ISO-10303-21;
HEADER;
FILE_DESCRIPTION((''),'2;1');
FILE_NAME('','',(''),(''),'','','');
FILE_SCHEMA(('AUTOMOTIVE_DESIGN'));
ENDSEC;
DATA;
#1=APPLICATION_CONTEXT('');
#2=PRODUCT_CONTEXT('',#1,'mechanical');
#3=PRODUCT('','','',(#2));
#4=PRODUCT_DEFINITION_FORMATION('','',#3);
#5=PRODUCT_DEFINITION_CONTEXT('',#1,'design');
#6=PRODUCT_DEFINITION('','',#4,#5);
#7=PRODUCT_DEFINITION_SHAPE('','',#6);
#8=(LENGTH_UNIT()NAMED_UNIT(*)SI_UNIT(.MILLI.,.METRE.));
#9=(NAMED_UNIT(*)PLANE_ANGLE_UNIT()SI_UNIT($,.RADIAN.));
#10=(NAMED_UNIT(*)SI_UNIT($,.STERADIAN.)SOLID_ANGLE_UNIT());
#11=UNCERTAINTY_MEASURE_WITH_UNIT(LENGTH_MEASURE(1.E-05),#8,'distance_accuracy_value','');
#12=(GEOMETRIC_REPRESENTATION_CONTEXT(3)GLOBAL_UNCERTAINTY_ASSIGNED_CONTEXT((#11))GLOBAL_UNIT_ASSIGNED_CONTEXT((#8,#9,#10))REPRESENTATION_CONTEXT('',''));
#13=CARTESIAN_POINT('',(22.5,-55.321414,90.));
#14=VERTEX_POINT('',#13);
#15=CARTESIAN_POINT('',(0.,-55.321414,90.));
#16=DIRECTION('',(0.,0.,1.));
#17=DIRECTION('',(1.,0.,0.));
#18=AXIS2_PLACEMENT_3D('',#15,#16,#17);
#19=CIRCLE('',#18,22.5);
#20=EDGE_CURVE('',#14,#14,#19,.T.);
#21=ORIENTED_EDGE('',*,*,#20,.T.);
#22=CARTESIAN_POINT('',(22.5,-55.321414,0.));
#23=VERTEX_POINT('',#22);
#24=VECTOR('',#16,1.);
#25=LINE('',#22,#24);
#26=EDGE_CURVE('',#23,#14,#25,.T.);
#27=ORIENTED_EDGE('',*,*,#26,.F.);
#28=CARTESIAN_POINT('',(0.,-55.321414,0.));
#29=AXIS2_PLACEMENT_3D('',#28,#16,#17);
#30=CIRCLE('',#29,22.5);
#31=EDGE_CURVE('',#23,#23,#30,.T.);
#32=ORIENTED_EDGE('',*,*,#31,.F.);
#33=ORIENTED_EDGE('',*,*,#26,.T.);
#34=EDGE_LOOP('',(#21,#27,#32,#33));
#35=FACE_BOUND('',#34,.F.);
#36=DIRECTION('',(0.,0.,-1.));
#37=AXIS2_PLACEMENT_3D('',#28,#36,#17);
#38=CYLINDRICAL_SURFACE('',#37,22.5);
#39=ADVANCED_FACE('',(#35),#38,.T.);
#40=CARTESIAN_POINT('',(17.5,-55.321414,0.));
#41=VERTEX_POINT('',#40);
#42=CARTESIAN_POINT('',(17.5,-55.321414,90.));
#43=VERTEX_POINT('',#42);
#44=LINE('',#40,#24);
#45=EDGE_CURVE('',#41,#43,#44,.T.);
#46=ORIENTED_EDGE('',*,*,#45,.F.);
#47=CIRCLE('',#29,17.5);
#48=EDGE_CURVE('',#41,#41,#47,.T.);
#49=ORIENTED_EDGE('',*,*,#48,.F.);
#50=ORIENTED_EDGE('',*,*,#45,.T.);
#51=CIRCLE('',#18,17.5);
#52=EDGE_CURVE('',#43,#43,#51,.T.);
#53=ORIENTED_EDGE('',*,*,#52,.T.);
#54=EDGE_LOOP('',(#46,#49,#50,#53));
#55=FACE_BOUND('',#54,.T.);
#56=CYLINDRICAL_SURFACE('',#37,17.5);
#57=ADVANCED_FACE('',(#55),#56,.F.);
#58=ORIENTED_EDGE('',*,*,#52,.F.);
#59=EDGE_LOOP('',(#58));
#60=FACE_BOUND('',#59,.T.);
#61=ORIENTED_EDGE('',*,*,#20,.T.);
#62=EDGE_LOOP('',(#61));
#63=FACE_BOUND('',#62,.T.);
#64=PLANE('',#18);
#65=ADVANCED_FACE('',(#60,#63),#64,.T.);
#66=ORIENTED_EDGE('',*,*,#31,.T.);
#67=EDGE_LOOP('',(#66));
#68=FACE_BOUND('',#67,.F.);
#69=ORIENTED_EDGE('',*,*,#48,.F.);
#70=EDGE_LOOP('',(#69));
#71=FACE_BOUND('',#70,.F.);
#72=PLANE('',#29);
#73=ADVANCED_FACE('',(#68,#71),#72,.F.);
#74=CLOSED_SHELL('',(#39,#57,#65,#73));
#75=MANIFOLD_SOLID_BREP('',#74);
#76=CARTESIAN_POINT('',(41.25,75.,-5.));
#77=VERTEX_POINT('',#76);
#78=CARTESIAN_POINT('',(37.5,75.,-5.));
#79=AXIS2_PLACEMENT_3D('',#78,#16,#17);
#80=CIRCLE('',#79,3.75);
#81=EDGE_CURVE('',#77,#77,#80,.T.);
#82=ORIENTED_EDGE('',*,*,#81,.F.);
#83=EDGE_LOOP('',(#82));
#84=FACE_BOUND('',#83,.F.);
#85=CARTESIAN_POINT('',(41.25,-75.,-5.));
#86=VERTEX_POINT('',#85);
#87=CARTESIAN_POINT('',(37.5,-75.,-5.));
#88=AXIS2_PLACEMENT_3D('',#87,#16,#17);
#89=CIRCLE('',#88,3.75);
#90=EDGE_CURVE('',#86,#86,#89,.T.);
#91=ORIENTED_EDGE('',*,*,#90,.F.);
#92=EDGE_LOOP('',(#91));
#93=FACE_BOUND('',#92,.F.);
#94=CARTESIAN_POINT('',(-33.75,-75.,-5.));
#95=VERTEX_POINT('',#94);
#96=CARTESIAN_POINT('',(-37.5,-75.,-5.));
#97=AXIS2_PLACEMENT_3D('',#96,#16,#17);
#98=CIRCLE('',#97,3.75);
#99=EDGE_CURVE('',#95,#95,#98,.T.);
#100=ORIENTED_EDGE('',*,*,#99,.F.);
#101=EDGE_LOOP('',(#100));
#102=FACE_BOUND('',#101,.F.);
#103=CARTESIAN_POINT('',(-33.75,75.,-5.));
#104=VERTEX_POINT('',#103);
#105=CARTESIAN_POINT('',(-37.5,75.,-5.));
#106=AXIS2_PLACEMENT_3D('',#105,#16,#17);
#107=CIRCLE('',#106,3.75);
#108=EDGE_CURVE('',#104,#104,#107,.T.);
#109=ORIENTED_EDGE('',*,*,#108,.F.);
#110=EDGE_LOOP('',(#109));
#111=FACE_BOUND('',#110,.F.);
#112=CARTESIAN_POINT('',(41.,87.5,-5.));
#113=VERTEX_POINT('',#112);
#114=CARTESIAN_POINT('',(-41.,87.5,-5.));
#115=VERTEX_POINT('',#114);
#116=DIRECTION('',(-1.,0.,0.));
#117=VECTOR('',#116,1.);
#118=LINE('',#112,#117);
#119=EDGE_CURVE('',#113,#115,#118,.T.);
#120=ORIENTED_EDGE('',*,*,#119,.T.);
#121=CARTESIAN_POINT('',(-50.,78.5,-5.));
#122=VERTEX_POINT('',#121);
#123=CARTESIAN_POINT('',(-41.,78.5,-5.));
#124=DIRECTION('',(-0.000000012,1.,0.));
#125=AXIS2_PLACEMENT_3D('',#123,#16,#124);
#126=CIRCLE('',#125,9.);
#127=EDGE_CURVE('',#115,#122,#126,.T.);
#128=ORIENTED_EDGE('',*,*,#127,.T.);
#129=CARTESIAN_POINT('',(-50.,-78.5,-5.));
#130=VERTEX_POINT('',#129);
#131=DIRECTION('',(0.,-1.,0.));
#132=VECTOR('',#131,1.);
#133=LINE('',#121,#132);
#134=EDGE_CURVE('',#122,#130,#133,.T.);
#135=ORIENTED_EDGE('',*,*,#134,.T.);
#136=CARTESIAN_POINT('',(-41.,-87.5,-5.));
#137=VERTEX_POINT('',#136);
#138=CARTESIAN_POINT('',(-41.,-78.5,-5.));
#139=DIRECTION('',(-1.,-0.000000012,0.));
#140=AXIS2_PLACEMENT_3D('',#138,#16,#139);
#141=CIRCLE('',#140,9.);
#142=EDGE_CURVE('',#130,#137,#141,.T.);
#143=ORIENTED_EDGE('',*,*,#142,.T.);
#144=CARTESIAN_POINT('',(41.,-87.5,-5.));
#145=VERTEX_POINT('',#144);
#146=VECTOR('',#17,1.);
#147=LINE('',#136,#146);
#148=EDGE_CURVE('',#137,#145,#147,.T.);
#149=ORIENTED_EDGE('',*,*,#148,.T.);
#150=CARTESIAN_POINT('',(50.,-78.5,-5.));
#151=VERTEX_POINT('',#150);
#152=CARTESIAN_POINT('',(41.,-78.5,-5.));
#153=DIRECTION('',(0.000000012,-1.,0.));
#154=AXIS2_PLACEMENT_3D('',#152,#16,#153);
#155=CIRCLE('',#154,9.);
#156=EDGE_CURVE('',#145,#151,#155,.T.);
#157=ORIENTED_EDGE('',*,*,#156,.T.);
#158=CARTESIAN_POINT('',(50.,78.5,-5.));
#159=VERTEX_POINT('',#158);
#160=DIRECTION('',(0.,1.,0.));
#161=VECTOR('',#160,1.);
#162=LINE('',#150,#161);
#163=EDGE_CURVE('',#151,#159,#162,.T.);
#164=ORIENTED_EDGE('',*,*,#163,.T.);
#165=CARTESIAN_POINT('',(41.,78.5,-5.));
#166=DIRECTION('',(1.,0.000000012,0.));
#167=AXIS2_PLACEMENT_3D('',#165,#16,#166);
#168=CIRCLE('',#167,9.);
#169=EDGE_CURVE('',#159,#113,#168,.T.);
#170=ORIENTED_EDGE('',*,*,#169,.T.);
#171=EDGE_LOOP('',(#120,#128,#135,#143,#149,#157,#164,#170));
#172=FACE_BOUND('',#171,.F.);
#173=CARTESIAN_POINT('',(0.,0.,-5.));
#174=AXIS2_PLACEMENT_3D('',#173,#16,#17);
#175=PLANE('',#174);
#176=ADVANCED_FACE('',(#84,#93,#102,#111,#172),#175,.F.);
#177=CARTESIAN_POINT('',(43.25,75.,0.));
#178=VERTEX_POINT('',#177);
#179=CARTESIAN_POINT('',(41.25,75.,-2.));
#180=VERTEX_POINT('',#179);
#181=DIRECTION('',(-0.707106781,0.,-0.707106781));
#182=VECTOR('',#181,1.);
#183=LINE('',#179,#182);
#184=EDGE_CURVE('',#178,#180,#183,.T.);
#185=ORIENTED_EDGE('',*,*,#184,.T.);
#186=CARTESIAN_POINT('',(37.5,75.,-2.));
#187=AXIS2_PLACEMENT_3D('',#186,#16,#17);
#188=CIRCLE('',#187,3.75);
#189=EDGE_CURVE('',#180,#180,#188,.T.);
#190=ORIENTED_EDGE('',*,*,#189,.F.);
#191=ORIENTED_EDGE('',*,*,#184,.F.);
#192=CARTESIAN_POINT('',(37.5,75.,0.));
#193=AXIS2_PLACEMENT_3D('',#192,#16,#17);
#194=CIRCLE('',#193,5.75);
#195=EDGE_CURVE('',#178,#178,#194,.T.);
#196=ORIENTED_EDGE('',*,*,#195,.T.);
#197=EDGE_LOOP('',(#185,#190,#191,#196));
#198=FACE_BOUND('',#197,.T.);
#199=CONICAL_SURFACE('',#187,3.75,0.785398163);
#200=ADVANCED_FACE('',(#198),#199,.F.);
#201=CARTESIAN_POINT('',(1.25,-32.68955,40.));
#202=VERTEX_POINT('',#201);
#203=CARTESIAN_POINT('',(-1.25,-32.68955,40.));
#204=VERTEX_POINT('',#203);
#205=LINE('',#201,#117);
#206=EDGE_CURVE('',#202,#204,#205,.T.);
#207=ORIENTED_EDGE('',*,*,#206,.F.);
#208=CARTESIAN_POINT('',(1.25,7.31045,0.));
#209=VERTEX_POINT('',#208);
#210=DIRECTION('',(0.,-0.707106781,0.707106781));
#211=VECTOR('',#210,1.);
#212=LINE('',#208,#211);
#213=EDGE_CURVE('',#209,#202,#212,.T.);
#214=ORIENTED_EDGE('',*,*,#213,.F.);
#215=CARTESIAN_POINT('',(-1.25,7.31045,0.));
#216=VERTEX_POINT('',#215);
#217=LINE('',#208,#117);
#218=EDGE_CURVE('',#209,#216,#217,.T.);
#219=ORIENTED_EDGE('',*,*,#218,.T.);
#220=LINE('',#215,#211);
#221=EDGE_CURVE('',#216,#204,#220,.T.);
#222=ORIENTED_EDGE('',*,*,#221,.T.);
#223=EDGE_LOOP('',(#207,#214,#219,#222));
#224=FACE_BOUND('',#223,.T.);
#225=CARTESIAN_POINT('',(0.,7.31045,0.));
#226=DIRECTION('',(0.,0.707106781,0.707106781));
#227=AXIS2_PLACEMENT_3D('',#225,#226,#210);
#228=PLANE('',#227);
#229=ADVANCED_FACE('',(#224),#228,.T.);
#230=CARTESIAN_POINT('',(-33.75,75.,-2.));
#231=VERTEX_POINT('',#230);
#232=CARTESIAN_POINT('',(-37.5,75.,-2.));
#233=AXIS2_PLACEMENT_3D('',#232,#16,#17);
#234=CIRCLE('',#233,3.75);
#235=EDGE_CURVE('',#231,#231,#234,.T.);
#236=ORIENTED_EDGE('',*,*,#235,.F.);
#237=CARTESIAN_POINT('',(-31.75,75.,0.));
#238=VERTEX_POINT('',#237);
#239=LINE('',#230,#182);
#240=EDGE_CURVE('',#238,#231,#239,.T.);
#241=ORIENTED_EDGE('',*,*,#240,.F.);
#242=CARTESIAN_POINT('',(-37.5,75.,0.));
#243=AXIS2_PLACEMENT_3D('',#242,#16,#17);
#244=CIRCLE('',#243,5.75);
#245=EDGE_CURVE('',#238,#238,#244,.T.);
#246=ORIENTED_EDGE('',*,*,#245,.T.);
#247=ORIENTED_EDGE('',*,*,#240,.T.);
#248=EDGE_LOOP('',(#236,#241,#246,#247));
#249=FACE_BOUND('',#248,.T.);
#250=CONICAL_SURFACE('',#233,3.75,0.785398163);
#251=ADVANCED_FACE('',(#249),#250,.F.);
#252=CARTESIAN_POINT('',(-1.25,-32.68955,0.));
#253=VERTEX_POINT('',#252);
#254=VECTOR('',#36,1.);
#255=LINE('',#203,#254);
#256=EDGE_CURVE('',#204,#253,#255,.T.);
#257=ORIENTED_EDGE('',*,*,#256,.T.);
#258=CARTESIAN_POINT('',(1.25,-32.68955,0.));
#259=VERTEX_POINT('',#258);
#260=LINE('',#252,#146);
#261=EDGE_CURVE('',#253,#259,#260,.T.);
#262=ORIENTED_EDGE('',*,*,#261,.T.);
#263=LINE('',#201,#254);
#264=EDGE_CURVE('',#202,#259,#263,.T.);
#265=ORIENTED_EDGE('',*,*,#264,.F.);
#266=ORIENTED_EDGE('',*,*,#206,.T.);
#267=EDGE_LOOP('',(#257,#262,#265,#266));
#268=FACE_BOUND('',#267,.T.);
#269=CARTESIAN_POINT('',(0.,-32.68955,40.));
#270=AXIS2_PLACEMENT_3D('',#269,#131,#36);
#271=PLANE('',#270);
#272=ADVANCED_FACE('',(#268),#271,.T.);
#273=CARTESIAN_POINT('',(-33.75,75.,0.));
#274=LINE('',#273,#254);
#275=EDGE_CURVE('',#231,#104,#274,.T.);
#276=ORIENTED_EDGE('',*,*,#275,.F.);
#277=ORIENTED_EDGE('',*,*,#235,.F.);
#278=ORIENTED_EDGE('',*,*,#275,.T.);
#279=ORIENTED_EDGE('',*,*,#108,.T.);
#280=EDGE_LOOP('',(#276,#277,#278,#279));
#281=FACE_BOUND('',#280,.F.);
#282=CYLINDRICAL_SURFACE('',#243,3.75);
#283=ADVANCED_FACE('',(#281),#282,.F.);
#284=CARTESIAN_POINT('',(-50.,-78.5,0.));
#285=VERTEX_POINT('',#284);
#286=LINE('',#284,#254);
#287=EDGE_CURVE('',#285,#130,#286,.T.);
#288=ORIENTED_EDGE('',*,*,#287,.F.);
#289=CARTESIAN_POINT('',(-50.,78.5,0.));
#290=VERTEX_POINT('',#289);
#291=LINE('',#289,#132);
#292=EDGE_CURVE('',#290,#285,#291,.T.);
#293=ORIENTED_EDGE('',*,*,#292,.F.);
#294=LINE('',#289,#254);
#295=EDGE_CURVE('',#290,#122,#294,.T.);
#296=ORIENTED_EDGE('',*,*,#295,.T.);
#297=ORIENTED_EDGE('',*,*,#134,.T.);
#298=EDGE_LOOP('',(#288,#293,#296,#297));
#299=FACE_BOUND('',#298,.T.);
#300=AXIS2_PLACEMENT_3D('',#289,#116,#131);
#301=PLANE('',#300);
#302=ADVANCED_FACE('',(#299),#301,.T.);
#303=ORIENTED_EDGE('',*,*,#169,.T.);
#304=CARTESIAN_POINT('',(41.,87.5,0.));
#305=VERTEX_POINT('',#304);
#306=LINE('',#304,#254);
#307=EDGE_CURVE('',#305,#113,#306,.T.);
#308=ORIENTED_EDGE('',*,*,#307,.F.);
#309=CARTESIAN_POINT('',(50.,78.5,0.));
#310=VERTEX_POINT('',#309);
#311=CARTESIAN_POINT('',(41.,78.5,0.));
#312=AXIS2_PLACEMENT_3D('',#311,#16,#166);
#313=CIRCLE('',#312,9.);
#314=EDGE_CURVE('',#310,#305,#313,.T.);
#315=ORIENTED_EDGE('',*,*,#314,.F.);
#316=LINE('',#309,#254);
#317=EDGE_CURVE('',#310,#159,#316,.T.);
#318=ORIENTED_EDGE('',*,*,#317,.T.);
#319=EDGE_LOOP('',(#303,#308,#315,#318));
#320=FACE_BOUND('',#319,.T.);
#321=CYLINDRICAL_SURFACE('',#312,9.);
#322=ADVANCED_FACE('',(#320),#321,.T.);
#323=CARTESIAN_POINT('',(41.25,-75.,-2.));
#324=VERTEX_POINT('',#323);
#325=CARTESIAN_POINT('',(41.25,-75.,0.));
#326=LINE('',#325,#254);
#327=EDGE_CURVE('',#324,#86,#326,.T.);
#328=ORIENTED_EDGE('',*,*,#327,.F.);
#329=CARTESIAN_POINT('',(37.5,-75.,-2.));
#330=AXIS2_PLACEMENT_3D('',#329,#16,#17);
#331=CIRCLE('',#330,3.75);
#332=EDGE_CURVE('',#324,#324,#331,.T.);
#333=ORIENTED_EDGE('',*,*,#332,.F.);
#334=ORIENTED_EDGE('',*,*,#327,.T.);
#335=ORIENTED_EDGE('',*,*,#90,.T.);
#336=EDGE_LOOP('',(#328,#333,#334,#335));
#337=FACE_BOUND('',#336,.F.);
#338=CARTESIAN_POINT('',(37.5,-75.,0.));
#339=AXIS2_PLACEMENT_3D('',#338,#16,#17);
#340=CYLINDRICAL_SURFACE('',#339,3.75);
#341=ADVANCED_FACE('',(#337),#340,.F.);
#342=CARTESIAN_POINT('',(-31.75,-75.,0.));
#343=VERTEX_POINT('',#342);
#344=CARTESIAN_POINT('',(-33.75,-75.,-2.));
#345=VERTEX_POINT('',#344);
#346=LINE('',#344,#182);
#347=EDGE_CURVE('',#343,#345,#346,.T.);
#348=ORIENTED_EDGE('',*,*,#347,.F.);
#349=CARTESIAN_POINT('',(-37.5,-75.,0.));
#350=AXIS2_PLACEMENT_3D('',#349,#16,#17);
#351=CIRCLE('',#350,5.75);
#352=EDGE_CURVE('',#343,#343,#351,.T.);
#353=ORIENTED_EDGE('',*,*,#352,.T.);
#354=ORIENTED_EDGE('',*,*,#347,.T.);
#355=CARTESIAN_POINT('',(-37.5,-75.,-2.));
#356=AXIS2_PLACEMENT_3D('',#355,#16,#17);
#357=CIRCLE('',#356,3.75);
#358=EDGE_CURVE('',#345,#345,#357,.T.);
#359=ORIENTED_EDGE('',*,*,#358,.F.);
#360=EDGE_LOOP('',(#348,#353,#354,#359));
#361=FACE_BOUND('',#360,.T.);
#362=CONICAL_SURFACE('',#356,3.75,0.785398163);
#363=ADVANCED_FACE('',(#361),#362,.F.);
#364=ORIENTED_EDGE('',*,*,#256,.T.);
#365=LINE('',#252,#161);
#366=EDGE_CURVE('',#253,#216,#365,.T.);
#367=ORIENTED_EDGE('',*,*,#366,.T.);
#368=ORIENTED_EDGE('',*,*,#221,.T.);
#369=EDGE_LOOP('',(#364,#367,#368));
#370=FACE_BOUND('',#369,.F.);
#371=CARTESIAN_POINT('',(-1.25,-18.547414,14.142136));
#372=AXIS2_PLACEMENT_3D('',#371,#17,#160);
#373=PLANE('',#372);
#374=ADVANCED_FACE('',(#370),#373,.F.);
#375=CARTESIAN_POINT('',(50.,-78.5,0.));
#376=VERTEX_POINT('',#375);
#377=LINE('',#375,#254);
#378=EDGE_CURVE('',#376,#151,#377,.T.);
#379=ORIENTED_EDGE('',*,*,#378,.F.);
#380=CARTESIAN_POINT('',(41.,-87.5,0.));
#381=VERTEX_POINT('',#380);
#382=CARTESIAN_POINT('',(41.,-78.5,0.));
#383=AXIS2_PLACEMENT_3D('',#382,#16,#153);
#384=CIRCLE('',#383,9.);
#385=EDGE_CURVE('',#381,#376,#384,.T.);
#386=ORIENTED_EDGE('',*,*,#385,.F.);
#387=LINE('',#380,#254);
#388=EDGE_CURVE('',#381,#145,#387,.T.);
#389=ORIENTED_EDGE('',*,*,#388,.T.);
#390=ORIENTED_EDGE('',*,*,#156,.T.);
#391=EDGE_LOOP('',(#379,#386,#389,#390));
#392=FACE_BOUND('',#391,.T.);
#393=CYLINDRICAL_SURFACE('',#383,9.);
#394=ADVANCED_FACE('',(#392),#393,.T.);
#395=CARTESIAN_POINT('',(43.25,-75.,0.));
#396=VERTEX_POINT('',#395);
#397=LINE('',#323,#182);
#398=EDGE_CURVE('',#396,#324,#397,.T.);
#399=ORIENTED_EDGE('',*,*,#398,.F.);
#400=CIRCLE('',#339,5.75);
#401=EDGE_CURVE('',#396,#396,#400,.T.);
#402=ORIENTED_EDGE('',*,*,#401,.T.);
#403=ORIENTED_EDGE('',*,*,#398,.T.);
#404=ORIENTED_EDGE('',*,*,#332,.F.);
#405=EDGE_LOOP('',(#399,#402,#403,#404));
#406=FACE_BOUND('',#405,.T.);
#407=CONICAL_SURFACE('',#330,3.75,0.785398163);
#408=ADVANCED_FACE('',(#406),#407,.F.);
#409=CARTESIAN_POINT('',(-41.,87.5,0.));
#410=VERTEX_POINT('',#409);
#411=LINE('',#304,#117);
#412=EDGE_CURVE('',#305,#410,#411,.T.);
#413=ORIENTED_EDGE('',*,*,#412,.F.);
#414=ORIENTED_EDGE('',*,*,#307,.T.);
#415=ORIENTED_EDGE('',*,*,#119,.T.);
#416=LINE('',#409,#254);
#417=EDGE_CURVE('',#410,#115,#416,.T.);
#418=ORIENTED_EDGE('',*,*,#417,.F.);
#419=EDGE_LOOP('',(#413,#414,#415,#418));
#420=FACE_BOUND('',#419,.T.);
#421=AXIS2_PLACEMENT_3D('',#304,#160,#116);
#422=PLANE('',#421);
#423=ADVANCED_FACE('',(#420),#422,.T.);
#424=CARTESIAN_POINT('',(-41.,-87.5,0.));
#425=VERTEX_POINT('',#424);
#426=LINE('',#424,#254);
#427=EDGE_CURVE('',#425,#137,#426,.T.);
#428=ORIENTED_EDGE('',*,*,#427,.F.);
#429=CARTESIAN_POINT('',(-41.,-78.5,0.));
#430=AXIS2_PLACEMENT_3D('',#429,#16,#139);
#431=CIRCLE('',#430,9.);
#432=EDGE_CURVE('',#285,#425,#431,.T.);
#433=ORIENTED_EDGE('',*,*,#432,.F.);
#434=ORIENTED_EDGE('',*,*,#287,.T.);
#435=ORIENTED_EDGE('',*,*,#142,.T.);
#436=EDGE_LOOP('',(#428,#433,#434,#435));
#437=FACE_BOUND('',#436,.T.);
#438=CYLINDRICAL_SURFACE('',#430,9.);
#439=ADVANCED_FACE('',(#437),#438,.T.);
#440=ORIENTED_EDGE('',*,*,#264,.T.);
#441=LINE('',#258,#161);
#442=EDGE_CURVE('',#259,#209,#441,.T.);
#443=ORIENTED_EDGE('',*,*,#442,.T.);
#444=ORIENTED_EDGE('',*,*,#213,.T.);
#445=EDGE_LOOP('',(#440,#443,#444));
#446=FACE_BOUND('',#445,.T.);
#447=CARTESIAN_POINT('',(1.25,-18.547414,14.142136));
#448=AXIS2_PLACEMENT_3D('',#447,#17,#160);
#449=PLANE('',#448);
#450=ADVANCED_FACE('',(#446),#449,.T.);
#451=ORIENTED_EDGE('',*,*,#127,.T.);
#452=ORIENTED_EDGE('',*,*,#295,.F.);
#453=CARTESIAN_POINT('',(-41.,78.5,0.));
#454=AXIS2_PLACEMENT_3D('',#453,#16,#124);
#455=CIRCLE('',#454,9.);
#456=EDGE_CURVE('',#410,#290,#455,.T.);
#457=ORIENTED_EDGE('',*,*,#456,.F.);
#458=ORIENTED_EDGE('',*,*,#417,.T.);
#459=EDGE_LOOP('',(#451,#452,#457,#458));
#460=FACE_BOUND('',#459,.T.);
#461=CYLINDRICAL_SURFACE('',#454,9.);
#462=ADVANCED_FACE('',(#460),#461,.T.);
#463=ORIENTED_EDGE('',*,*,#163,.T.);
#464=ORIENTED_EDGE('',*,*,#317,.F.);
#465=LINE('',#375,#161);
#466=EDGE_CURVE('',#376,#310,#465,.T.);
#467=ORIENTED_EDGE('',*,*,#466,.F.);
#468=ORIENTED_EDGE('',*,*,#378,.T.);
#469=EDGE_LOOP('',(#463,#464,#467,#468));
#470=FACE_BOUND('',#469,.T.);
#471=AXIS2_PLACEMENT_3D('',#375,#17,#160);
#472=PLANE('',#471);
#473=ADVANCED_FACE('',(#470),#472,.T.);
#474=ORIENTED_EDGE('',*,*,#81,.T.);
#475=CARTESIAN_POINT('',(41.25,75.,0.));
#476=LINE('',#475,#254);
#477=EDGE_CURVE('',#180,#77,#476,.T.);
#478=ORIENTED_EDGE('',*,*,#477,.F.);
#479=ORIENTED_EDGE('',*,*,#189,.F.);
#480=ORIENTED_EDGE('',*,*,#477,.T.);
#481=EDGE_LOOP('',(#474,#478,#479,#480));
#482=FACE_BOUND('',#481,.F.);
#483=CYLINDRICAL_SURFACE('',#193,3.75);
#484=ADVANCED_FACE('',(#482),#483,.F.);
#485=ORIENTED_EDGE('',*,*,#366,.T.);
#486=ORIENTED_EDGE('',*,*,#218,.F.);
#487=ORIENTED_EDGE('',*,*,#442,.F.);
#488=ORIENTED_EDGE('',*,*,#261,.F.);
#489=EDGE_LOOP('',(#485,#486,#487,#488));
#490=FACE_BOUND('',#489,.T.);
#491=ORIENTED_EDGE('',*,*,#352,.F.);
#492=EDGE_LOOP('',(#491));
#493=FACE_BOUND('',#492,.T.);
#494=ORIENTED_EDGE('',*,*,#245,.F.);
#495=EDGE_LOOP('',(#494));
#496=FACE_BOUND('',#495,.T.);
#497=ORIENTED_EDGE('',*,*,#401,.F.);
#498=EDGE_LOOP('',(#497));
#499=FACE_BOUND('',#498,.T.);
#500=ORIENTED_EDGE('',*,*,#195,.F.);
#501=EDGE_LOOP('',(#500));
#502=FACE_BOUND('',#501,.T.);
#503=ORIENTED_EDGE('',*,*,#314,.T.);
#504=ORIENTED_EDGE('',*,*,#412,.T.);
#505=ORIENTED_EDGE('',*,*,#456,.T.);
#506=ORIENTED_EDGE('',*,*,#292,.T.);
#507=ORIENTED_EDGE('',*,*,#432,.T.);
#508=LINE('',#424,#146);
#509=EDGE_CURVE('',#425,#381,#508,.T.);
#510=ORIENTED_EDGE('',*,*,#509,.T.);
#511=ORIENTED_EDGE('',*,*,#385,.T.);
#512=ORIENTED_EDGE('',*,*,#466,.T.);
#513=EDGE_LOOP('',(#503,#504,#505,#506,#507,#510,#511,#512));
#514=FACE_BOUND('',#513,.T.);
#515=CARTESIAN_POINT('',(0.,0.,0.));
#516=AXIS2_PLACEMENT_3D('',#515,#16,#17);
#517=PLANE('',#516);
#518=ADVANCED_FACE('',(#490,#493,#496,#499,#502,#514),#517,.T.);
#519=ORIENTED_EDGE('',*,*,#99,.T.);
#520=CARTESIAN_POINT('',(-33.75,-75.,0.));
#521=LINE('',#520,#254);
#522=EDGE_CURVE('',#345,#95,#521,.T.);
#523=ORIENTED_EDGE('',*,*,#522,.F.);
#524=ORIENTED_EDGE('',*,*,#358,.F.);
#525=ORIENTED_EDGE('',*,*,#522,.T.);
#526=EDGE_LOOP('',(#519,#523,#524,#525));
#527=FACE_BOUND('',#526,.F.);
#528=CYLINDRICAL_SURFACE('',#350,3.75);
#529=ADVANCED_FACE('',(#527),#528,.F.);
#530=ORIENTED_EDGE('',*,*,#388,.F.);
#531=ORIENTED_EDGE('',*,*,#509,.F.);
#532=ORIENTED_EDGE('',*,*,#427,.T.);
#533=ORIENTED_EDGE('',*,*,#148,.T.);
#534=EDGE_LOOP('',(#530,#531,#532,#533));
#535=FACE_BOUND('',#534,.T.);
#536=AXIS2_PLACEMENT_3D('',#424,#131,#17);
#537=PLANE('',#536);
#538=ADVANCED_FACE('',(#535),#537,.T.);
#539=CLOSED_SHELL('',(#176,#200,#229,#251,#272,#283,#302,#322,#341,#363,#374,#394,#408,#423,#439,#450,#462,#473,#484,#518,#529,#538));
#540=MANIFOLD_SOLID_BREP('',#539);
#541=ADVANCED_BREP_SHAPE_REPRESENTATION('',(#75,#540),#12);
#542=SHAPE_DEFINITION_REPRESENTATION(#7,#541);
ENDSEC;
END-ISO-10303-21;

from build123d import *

# Parameters (mm, degrees)
F0_R     = 22.5
F0_R_2   = 17.5
F1_DEPTH = 90
F0_R_3   = 3.75
F2_DEPTH = 5
F4_DEPTH = 1.25
F5_SIZE  = 2


with BuildPart() as f1:
    # F0 (on Top) → F1 (new body)
    with BuildSketch(Plane.XY):
        with Locations((0, -55.321414)):
            Circle(F0_R)
        with Locations((0, -55.321414)):
            Circle(F0_R_2, mode=Mode.SUBTRACT)
    extrude(amount=F1_DEPTH)


with BuildPart() as f2:
    # F0 (on Top) → F2 (new body)
    with BuildSketch(Plane.XY):
        with BuildLine():
            ThreePointArc((-50, -78.5), (-47.363961, -84.863961), (-41, -87.5))
            Line((-41, -87.5), (41, -87.5))
            ThreePointArc((41, -87.5), (47.363961, -84.863961), (50, -78.5))
            Line((50, -78.5), (50, 78.5))
            ThreePointArc((50, 78.5), (47.363961, 84.863961), (41, 87.5))
            Line((41, 87.5), (-41, 87.5))
            ThreePointArc((-41, 87.5), (-47.363961, 84.863961), (-50, 78.5))
            Line((-50, 78.5), (-50, -78.5))
        make_face()
        with Locations((-37.5, -75)):
            Circle(F0_R_3, mode=Mode.SUBTRACT)
        with Locations((0, -55.321414)):
            Circle(F0_R, mode=Mode.SUBTRACT)
        with Locations((37.5, -75)):
            Circle(F0_R_3, mode=Mode.SUBTRACT)
        with Locations((-37.5, 75)):
            Circle(F0_R_3, mode=Mode.SUBTRACT)
        with Locations((37.5, 75)):
            Circle(F0_R_3, mode=Mode.SUBTRACT)
        with Locations((0, -55.321414)):
            Circle(F0_R)
        with Locations((0, -55.321414)):
            Circle(F0_R_2, mode=Mode.SUBTRACT)
        with Locations((0, -55.321414)):
            Circle(F0_R_2)
    extrude(amount=-F2_DEPTH)

    # F3 (on Right) → F4 (join, symmetric)
    with BuildSketch(Plane.YZ):
        Polygon((-32.68955, 40), (-32.68955, 0), (7.31045, 0), align=None)
    extrude(amount=F4_DEPTH, both=True)

    # F5
    f5_edges = [f2.edges().sort_by_distance(p)[0] for p in [
        (33.75, 75, 0),
        (-41.25, 75, 0),
        (33.75, -75, 0),
        (-41.25, -75, 0),
    ]]
    chamfer(f5_edges, length=F5_SIZE)


solid = Compound([f1.part, f2.part])
